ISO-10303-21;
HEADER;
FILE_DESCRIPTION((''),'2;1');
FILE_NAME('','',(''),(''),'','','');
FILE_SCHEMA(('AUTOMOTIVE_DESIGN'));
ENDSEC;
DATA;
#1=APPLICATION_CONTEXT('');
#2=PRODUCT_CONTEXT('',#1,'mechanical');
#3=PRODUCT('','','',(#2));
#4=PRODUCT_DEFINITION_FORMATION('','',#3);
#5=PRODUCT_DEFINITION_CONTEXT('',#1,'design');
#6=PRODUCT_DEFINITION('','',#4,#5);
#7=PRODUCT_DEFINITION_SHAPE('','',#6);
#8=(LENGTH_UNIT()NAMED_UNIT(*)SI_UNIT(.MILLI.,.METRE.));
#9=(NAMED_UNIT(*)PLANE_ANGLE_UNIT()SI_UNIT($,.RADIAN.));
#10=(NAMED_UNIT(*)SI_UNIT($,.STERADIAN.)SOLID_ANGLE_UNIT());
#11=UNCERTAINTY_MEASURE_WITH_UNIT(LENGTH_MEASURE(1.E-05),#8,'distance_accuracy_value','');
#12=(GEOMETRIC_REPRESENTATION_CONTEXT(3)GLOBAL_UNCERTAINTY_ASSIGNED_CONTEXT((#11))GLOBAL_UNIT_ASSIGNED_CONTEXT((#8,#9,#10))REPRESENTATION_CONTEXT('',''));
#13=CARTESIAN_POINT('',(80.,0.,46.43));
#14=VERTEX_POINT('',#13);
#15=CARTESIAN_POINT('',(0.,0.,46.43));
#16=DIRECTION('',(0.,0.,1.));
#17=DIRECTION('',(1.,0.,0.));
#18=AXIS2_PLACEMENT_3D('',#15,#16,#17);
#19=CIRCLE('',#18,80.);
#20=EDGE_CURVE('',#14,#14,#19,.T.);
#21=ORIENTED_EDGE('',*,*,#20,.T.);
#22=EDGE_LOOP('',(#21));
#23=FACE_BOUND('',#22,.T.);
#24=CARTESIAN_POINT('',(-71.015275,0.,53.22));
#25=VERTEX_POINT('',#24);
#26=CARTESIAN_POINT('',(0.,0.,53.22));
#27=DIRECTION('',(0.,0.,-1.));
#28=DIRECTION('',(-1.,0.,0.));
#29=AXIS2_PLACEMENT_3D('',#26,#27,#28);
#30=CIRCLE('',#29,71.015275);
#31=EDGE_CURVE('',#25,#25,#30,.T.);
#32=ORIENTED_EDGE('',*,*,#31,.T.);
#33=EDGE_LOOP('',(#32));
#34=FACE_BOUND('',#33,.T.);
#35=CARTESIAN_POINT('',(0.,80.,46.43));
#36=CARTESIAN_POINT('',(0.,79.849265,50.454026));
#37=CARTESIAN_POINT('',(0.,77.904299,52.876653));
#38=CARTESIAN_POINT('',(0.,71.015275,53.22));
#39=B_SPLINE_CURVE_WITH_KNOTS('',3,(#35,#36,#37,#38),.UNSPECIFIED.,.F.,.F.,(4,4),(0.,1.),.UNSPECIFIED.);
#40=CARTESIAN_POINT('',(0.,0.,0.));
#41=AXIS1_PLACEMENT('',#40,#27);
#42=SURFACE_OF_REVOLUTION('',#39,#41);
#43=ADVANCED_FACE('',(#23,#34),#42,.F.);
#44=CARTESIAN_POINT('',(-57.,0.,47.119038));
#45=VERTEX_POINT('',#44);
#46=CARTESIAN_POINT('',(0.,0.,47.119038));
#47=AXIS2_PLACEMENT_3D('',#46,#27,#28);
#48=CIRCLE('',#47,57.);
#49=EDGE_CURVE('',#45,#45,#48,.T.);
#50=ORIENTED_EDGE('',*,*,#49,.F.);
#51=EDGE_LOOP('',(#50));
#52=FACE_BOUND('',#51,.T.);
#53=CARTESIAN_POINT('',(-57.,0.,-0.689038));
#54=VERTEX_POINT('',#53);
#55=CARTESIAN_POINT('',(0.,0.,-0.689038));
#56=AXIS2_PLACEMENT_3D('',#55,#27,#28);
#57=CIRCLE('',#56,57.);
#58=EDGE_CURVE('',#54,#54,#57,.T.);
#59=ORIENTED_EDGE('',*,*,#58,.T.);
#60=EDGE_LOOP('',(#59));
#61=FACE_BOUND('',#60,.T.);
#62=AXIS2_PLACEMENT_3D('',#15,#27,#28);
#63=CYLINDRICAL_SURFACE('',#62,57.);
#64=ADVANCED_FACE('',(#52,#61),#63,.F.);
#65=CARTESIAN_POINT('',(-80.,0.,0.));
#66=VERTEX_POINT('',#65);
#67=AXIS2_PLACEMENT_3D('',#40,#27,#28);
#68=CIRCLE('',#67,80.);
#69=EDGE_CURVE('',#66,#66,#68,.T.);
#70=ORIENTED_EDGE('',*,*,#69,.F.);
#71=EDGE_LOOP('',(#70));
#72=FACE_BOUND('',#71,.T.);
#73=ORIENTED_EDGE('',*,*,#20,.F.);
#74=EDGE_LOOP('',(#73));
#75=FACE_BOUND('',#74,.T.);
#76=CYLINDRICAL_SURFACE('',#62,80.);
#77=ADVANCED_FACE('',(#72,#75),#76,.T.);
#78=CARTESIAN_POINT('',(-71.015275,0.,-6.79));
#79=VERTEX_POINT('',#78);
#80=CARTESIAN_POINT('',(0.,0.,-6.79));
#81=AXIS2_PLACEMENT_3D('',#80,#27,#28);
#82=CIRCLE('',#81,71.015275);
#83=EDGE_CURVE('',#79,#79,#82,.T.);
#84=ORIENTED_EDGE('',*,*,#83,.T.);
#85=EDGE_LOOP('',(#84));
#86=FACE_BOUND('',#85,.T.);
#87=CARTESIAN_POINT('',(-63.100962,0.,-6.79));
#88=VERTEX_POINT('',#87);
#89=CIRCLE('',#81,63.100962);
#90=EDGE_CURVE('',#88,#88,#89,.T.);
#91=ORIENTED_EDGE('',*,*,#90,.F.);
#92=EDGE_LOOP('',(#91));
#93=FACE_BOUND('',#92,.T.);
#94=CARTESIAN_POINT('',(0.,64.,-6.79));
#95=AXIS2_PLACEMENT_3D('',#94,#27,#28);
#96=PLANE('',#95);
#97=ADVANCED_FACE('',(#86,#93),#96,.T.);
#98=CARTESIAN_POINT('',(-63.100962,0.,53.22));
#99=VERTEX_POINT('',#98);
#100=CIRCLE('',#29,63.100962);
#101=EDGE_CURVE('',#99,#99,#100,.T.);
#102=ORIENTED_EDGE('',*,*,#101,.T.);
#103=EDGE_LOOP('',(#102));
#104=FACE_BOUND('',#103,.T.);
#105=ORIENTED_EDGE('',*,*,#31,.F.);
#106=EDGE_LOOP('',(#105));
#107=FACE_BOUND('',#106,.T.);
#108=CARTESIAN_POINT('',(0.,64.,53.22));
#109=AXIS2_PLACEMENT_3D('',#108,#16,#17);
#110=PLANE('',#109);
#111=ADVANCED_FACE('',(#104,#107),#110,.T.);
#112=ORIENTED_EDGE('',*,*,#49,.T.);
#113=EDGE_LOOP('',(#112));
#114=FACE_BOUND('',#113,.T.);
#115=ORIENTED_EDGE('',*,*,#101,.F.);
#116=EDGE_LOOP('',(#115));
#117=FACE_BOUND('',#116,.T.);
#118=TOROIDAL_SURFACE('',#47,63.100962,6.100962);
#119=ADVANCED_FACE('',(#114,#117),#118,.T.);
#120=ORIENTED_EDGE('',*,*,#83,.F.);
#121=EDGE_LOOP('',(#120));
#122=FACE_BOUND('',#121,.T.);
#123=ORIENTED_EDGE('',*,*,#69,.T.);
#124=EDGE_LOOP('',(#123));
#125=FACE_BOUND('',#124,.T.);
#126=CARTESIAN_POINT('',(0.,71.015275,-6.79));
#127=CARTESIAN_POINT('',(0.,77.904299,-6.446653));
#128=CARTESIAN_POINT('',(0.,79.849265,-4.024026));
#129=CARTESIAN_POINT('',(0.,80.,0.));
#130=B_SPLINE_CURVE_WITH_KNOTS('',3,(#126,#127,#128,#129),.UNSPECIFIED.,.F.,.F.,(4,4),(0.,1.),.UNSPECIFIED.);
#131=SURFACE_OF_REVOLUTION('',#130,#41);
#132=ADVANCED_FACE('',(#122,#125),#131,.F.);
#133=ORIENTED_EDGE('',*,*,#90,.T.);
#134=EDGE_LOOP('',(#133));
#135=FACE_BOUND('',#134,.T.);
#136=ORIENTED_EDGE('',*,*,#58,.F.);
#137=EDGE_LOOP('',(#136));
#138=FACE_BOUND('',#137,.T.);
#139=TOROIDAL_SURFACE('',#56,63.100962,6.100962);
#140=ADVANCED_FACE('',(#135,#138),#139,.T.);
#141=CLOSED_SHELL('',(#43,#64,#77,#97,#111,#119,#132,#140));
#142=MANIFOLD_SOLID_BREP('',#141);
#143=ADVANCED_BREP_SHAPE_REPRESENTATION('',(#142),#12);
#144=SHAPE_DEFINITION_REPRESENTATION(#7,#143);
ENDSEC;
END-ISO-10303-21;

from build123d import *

# Parameters (mm, degrees)
ESQUISSE1_R        = 80
ESQUISSE1_R_2      = 57
BOSS_EXTRU_1_DEPTH = 46.43


with BuildPart() as part:
    # Esquisse1 → Boss.-Extru.1 (new body)
    with BuildSketch(Plane.XY):
        Circle(ESQUISSE1_R)
        Circle(ESQUISSE1_R_2, mode=Mode.SUBTRACT)
    extrude(amount=BOSS_EXTRU_1_DEPTH)

    # Esquisse2 → Révolution1 (revolve)
    with BuildSketch(Plane(origin=(0, 0, 0), x_dir=(0, 0, -1), z_dir=(1, 0, 0)), mode=Mode.PRIVATE) as r_volution1_sk:
        with BuildLine():
            Line((0, 57), (0.689038023, 57))
            ThreePointArc((0.689038023, 57), (5.003069609, 58.786930391), (6.79, 63.100961977))
            Line((6.79, 63.100961977), (6.79, 64))
            Line((6.79, 64), (6.79, 71.015274994))
            add(Edge.make_bspline(
                [(6.79, 71.015274994), (6.446653278, 77.904299494), (4.024026126, 79.849265176), (0, 80)],
                knots=[0, 0, 0, 0, 1, 1, 1, 1], degree=3))
            Line((0, 80), (0, 57))
        make_face()
        with BuildLine():
            Line((-46.43, 57), (-47.119038023, 57))
            ThreePointArc((-47.119038023, 57), (-51.433069609, 58.786930391), (-53.22, 63.100961977))
            Line((-53.22, 63.100961977), (-53.22, 64))
            Line((-53.22, 64), (-53.22, 71.015274994))
            add(Edge.make_bspline(
                [(-53.22, 71.015274994), (-52.876653278, 77.904299494), (-50.454026126, 79.849265176), (-46.43, 80)],
                knots=[0, 0, 0, 0, 1, 1, 1, 1], degree=3))
            Line((-46.43, 80), (-46.43, 57))
        make_face()
    revolve(r_volution1_sk.sketch.rotate(Axis((0, 0, 0), (0, 0, 1)), 90), axis=Axis((0, 0, 0), (0, 0, 1)))


solid = part.part
